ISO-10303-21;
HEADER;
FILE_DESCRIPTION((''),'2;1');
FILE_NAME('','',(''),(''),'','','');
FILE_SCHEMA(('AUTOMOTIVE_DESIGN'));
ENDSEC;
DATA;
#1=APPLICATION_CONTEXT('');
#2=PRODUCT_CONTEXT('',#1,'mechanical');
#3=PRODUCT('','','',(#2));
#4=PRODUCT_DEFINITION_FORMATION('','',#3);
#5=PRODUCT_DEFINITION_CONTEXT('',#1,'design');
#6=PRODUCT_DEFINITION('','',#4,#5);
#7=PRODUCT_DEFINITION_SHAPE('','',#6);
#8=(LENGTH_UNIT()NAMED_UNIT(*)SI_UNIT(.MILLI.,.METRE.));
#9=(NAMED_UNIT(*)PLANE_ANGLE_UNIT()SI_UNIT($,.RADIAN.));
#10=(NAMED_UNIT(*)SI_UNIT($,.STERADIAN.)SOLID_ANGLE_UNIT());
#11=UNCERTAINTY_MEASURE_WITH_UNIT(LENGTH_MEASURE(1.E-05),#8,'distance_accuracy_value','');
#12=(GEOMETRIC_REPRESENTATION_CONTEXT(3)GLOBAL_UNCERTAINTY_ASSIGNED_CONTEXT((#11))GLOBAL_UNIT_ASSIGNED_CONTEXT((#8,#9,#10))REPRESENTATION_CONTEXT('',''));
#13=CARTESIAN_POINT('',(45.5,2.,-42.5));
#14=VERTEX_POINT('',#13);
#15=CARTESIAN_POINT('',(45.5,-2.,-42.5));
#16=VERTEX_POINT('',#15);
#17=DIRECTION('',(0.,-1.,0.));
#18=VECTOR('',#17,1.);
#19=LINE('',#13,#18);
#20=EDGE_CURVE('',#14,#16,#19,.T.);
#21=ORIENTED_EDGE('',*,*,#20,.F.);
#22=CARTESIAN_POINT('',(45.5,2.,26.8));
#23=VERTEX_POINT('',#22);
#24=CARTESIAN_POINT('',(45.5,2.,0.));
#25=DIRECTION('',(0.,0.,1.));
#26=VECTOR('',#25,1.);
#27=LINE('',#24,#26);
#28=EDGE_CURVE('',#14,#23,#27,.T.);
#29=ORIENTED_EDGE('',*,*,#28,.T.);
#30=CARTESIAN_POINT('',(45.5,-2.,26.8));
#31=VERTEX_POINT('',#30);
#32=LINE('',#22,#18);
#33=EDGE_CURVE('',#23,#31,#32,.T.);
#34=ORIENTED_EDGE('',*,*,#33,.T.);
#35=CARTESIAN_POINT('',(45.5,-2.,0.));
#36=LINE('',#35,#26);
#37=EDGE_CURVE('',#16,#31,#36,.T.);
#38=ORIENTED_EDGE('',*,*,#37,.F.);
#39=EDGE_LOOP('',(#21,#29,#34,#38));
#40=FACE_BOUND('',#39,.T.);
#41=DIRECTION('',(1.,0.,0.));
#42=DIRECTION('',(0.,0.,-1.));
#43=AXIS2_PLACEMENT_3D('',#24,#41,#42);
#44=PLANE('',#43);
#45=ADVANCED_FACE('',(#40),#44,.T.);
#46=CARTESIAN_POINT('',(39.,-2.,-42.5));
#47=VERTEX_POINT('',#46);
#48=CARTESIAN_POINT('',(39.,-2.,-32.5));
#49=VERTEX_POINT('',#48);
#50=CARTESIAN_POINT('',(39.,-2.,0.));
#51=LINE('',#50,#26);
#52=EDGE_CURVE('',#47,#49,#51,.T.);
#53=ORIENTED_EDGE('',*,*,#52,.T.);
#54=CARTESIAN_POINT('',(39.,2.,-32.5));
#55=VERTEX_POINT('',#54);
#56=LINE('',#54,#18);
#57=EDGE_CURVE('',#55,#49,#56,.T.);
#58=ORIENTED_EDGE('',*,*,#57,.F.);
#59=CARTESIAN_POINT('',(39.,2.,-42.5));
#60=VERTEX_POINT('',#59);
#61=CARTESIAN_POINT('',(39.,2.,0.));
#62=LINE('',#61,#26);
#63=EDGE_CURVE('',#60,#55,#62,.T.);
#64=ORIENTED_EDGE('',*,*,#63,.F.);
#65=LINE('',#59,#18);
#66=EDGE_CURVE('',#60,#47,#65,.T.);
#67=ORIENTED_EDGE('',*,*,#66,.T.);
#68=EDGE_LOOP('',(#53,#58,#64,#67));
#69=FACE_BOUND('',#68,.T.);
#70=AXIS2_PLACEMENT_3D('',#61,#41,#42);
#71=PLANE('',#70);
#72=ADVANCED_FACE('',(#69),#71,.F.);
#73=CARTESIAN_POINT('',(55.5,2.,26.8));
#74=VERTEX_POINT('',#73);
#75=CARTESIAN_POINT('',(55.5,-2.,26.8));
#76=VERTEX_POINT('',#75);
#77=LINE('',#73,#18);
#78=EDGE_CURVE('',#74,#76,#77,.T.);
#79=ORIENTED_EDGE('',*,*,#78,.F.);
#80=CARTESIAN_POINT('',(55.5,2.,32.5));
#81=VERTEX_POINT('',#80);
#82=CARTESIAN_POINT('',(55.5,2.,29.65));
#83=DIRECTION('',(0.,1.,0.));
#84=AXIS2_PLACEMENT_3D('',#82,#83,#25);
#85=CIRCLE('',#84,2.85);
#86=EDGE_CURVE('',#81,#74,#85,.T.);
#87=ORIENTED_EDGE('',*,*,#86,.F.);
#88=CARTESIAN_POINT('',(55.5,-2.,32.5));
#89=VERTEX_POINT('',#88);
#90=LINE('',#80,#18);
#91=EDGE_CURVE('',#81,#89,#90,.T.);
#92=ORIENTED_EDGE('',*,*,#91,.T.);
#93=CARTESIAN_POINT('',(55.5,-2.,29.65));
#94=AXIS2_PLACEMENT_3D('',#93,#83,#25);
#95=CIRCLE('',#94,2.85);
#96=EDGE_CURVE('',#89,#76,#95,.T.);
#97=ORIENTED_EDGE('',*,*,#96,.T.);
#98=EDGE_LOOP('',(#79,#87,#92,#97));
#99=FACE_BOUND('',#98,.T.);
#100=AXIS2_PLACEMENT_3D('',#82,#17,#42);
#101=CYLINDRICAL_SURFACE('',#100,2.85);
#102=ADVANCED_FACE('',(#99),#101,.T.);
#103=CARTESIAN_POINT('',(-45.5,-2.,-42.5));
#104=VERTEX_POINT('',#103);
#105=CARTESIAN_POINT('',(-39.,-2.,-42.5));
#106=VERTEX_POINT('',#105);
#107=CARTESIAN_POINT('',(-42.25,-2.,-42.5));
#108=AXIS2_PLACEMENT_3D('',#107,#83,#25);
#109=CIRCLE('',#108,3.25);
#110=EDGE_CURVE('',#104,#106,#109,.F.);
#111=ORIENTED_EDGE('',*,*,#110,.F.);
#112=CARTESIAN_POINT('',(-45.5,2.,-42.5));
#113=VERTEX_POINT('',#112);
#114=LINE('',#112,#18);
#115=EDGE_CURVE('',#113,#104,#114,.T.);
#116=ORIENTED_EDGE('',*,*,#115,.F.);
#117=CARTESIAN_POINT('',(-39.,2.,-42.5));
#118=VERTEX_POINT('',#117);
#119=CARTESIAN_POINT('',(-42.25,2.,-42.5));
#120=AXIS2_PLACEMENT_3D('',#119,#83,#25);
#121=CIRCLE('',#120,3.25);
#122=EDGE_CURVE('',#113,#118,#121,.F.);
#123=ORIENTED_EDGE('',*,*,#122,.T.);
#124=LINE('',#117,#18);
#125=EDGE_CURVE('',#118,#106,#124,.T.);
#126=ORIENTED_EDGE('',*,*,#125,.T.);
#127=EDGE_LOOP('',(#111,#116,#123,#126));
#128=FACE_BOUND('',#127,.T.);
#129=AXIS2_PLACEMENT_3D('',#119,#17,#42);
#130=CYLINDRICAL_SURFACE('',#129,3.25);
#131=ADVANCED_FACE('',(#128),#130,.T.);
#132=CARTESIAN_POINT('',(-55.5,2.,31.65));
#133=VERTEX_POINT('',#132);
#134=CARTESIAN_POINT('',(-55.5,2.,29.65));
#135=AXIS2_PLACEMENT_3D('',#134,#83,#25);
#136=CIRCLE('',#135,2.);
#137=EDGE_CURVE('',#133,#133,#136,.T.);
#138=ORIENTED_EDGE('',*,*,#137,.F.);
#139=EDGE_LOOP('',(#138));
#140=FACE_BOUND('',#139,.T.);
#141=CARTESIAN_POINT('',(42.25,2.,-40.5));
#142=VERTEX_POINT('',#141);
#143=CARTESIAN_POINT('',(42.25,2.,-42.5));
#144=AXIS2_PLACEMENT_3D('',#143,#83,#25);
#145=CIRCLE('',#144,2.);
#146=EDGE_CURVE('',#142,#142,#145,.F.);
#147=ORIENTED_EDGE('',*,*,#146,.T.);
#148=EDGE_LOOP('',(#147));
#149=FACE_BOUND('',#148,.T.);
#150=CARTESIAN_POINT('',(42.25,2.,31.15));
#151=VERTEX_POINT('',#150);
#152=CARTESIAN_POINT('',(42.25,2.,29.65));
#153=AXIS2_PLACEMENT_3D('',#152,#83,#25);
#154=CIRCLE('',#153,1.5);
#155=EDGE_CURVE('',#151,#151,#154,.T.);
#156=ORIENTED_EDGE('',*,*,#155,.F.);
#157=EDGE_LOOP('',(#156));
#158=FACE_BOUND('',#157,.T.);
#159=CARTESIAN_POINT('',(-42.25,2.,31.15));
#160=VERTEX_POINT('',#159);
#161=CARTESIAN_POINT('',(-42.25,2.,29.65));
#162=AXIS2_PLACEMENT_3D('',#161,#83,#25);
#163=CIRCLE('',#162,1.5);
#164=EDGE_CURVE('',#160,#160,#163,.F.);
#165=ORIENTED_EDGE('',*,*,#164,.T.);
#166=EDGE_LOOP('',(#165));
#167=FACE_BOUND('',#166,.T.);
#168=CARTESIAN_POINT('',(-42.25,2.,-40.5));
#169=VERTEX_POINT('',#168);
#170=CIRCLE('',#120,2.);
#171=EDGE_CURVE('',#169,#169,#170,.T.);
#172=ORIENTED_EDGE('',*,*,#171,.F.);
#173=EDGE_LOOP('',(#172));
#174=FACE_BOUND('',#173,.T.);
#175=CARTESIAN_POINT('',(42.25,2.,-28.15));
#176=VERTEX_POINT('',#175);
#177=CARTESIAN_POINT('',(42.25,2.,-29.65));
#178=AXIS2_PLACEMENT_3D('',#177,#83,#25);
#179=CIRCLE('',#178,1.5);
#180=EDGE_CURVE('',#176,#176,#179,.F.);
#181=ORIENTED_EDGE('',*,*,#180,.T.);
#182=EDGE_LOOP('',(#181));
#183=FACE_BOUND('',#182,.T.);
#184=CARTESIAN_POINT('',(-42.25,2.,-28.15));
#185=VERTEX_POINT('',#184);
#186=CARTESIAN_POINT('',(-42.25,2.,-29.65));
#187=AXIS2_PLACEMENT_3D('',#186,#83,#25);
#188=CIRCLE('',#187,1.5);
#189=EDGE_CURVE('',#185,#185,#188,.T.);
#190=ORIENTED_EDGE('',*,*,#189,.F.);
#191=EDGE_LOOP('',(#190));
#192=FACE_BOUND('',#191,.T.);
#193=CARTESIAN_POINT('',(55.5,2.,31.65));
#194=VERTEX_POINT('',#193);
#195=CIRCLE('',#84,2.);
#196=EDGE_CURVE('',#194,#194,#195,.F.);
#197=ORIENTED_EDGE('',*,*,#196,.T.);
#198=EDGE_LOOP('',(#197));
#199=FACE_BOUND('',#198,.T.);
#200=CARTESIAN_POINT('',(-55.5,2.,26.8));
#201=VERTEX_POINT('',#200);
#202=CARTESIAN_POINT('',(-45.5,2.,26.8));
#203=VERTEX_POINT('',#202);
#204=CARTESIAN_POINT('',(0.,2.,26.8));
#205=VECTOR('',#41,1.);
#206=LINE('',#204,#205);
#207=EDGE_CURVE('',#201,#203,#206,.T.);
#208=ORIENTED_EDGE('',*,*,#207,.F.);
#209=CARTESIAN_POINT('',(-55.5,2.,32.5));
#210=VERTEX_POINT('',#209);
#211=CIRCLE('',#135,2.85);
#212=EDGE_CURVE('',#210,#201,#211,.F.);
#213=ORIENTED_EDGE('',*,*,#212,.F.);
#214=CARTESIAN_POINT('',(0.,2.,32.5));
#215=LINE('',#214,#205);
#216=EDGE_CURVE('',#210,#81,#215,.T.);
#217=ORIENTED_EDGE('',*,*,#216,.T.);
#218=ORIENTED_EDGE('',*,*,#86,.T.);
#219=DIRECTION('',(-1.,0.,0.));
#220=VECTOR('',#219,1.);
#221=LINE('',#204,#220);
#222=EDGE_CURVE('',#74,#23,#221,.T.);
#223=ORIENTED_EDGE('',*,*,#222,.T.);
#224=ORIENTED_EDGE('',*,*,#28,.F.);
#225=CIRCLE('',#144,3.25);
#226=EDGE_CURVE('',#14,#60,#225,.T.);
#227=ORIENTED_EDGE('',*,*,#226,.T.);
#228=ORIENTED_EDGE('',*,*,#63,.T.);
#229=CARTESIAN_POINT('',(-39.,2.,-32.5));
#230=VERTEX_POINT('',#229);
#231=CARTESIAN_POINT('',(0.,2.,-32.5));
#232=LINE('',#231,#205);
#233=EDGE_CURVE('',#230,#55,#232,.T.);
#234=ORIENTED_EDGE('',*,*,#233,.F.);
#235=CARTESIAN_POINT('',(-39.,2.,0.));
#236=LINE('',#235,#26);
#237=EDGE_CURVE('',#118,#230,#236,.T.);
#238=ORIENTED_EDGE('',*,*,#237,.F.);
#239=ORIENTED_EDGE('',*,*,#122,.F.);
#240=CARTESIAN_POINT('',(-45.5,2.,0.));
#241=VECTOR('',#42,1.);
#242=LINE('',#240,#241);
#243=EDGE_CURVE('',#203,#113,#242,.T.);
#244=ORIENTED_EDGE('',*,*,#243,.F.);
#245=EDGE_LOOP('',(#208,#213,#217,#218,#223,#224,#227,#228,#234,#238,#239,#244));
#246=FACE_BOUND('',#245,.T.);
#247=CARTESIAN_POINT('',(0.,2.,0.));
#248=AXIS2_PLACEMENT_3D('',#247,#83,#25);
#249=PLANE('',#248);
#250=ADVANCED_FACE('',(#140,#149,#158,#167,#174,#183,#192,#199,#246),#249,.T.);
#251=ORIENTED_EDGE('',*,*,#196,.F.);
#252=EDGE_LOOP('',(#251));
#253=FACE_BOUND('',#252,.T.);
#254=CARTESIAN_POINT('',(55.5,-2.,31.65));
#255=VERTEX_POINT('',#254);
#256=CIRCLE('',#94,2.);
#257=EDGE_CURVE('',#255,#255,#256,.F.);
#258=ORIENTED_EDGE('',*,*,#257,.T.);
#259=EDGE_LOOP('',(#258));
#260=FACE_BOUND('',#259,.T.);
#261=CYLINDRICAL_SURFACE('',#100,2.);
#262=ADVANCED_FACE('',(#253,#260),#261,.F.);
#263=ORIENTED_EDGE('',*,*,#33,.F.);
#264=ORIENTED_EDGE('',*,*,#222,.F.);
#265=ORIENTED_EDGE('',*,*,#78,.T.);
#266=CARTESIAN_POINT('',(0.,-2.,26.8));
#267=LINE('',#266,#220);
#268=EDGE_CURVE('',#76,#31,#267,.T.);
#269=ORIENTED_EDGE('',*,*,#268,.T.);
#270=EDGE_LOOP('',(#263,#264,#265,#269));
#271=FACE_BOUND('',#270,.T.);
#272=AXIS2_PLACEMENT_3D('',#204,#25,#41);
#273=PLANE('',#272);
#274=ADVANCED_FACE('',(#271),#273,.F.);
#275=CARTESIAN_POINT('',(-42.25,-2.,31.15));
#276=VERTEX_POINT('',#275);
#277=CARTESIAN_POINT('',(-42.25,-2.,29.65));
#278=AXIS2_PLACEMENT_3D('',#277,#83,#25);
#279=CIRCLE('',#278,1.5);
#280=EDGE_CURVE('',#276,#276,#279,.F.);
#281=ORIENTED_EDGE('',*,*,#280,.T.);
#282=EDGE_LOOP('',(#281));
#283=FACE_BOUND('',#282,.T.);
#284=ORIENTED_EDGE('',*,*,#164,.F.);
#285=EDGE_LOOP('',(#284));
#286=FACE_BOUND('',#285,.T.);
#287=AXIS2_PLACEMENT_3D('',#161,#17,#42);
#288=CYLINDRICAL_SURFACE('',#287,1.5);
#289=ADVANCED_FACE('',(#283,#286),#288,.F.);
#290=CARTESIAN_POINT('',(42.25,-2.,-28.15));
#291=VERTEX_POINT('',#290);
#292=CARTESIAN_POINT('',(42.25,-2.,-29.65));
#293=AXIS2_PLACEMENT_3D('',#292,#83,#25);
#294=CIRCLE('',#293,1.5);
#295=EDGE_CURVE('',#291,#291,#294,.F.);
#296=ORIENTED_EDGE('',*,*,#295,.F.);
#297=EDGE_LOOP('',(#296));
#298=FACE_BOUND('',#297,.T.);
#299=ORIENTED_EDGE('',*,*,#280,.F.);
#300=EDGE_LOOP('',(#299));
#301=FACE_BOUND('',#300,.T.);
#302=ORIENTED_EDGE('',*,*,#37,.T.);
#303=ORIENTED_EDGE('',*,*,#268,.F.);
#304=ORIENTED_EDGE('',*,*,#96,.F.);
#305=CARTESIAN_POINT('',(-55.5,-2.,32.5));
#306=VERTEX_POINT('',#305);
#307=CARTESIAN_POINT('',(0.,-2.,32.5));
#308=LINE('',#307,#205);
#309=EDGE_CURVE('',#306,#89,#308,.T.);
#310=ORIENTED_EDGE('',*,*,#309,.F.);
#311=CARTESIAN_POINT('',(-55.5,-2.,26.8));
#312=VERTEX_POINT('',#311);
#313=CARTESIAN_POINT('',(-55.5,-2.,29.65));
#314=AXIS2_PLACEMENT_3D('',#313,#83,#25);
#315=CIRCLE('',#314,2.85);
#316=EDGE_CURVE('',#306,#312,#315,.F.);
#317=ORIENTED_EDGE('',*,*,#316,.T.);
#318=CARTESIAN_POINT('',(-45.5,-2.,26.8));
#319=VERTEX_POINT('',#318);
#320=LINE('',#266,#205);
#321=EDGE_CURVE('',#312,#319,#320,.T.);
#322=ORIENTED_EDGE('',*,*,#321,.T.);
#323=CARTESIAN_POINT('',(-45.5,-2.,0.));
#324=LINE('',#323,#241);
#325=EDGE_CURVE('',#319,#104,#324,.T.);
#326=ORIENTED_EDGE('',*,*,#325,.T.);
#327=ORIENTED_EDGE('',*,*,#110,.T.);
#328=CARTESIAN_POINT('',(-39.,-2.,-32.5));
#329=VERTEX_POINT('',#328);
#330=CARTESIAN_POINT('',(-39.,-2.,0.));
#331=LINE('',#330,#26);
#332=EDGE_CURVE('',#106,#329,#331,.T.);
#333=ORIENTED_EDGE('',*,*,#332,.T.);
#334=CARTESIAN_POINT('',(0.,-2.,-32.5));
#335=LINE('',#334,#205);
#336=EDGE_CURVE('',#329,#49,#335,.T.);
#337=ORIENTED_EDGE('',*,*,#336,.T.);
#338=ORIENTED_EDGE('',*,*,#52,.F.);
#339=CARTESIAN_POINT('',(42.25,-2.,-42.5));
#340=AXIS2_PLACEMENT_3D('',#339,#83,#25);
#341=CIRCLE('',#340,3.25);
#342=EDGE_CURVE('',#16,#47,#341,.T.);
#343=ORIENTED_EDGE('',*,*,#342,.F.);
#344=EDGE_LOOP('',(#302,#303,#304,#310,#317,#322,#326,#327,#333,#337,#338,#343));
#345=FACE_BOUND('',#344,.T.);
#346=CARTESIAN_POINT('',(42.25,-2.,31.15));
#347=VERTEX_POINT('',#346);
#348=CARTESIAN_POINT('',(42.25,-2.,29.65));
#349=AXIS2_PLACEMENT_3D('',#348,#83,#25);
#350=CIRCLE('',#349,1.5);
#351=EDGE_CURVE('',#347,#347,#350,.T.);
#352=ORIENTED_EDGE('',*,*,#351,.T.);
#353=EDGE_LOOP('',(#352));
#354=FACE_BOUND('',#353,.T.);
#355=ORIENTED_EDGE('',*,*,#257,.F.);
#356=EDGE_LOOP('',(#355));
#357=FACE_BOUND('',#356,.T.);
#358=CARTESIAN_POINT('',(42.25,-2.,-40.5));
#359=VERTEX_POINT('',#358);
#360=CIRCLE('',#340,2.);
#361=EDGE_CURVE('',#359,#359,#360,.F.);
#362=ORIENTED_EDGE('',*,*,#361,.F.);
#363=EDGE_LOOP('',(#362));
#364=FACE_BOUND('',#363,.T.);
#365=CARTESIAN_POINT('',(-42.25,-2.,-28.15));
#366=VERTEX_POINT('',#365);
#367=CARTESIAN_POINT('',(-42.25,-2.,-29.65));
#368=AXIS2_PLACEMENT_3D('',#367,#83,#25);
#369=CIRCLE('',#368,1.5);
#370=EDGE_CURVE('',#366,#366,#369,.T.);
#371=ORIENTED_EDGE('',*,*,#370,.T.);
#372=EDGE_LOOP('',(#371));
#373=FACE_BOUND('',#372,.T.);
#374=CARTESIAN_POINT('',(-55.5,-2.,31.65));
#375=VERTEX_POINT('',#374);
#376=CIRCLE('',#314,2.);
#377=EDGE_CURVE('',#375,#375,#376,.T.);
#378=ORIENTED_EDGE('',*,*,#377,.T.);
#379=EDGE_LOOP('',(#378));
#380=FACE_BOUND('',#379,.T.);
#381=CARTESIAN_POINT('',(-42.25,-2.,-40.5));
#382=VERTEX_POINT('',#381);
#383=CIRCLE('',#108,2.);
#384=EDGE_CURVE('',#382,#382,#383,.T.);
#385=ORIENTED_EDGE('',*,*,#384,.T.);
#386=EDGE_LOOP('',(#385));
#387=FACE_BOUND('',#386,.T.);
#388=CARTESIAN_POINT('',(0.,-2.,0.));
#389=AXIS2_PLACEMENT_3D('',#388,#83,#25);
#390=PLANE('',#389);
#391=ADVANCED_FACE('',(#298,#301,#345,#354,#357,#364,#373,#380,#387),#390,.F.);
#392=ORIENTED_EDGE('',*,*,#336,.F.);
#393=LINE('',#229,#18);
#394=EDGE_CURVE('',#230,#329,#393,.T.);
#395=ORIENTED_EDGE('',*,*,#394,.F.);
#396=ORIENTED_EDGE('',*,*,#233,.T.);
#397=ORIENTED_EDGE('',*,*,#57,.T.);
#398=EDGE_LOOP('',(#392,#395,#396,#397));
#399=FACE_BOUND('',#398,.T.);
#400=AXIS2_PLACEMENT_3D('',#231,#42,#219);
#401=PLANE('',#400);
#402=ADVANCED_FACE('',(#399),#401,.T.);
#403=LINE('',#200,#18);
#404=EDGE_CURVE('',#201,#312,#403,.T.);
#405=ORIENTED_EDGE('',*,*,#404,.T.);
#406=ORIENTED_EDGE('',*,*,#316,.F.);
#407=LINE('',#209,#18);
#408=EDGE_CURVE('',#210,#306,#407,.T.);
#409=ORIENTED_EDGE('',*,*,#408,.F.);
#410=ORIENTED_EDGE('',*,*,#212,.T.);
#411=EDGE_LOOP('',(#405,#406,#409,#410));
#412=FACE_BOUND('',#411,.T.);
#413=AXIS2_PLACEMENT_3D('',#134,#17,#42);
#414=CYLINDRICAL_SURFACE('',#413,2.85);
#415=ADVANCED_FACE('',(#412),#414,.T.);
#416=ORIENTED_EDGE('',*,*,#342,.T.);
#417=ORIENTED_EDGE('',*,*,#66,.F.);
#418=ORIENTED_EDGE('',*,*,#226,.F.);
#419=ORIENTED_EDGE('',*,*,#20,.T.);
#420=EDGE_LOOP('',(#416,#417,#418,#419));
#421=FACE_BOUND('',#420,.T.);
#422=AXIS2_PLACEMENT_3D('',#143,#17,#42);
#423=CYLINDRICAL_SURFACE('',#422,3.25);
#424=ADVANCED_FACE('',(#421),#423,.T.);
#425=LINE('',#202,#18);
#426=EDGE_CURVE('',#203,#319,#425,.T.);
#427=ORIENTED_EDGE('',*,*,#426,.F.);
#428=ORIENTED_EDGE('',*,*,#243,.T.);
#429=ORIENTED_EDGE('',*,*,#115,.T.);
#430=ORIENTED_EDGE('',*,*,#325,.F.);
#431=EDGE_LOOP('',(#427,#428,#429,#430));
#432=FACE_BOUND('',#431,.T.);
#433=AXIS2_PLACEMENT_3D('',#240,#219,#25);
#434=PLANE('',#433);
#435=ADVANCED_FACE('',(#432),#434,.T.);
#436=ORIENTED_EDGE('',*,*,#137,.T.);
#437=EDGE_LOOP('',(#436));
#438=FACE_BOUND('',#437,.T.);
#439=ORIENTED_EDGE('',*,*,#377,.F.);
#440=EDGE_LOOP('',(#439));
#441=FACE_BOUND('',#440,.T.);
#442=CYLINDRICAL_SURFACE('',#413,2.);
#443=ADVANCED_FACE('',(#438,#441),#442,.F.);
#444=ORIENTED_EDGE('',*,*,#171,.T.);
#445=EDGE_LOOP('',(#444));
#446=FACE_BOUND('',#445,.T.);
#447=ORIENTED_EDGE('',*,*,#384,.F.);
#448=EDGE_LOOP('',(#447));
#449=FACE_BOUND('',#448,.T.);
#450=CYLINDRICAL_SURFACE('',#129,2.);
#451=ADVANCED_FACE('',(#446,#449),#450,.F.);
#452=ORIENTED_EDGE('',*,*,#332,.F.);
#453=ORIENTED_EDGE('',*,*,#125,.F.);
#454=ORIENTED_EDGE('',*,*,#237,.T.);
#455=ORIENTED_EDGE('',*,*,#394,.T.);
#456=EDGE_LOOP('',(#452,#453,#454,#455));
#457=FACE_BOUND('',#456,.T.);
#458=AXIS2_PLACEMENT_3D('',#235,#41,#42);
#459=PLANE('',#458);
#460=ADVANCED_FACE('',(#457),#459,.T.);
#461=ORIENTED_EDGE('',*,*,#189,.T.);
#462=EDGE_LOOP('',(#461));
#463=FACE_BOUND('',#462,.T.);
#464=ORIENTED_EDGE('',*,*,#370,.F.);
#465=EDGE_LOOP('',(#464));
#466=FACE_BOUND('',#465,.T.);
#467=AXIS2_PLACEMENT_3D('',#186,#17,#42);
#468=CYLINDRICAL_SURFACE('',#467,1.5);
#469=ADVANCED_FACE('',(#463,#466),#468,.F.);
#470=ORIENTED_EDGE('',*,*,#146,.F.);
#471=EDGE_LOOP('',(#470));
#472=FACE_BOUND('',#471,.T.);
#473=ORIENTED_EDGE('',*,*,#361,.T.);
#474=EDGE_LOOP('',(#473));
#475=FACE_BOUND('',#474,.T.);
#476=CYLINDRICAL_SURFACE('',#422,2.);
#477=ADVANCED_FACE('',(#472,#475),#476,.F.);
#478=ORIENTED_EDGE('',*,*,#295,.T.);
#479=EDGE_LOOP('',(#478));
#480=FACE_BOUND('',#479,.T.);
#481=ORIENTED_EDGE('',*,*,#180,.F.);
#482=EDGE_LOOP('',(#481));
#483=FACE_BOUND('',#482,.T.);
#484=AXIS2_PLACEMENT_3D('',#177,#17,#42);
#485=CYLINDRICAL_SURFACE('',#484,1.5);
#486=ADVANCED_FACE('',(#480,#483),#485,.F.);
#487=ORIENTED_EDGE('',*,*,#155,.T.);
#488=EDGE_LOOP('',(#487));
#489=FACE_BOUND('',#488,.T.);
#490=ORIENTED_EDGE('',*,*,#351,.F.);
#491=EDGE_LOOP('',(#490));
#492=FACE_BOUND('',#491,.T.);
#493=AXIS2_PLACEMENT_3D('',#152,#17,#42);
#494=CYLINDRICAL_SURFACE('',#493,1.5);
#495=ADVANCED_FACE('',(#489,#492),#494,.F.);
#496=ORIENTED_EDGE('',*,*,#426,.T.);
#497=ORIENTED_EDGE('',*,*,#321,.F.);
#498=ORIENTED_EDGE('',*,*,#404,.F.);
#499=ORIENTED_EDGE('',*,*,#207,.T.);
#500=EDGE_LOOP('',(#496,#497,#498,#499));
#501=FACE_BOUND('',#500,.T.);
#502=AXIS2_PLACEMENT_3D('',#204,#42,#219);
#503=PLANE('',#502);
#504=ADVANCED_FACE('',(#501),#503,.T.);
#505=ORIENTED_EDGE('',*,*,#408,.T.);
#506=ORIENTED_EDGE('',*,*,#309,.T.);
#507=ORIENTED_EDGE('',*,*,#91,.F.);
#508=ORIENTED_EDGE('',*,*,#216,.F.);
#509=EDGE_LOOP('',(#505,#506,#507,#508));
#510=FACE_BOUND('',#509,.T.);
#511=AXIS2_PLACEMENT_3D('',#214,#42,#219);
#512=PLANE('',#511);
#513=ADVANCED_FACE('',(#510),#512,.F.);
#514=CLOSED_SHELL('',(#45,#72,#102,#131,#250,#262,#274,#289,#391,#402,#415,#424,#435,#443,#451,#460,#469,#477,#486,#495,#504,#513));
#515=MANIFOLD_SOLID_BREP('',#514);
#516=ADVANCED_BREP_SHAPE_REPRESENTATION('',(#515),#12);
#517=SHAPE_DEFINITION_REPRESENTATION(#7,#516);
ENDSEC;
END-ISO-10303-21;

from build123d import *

# Parameters (mm, degrees)
SKETCH1_R           = 1.5
SKETCH1_R_2         = 2
BOSS_EXTRUDE1_DEPTH = 2


with BuildPart() as part:
    # Sketch1 → Boss-Extrude1 (new, symmetric)
    with BuildSketch(Plane(origin=(0, 0, 0), x_dir=(1, 0, 0), z_dir=(0, 1, 0))):
        with BuildLine():
            Line((-45.5, 32.5), (-45.5, -26.8))
            Line((-45.5, -26.8), (-55.5, -26.8))
            ThreePointArc((-55.5, -26.8), (-58.35, -29.65), (-55.5, -32.5))
            Line((-55.5, -32.5), (-45.5, -32.5))
            Line((-45.5, -32.5), (45.5, -32.5))
            Line((45.5, -32.5), (55.5, -32.5))
            ThreePointArc((55.5, -32.5), (58.35, -29.65), (55.5, -26.8))
            Line((55.5, -26.8), (45.5, -26.8))
            Line((45.5, -26.8), (45.5, 32.5))
            Line((45.5, 32.5), (45.5, 42.5))
            ThreePointArc((45.5, 42.5), (42.25, 45.75), (39, 42.5))
            Line((39, 42.5), (39, 32.5))
            Line((39, 32.5), (-39, 32.5))
            Line((-39, 32.5), (-39, 42.5))
            ThreePointArc((-39, 42.5), (-42.25, 45.75), (-45.5, 42.5))
            Line((-45.5, 42.5), (-45.5, 32.5))
        make_face()
        with Locations(Location((-42.25, 29.65, 0), (0, 0, 270))):
            Circle(SKETCH1_R, mode=Mode.SUBTRACT)
        with Locations(Location((42.25, 29.65, 0), (0, 0, 270))):
            Circle(SKETCH1_R, mode=Mode.SUBTRACT)
        with Locations(Location((42.25, -29.65, 0), (0, 0, 270))):
            Circle(SKETCH1_R, mode=Mode.SUBTRACT)
        with Locations(Location((-42.25, -29.65, 0), (0, 0, 270))):
            Circle(SKETCH1_R, mode=Mode.SUBTRACT)
        with Locations(Location((-42.25, 42.5, 0), (0, 0, 270))):
            Circle(SKETCH1_R_2, mode=Mode.SUBTRACT)
        with Locations(Location((42.25, 42.5, 0), (0, 0, 270))):
            Circle(SKETCH1_R_2, mode=Mode.SUBTRACT)
        with Locations(Location((-55.5, -29.65, 0), (0, 0, 270))):
            Circle(SKETCH1_R_2, mode=Mode.SUBTRACT)
        with Locations(Location((55.5, -29.65, 0), (0, 0, 270))):
            Circle(SKETCH1_R_2, mode=Mode.SUBTRACT)
    extrude(amount=BOSS_EXTRUDE1_DEPTH, both=True)


solid = part.part
